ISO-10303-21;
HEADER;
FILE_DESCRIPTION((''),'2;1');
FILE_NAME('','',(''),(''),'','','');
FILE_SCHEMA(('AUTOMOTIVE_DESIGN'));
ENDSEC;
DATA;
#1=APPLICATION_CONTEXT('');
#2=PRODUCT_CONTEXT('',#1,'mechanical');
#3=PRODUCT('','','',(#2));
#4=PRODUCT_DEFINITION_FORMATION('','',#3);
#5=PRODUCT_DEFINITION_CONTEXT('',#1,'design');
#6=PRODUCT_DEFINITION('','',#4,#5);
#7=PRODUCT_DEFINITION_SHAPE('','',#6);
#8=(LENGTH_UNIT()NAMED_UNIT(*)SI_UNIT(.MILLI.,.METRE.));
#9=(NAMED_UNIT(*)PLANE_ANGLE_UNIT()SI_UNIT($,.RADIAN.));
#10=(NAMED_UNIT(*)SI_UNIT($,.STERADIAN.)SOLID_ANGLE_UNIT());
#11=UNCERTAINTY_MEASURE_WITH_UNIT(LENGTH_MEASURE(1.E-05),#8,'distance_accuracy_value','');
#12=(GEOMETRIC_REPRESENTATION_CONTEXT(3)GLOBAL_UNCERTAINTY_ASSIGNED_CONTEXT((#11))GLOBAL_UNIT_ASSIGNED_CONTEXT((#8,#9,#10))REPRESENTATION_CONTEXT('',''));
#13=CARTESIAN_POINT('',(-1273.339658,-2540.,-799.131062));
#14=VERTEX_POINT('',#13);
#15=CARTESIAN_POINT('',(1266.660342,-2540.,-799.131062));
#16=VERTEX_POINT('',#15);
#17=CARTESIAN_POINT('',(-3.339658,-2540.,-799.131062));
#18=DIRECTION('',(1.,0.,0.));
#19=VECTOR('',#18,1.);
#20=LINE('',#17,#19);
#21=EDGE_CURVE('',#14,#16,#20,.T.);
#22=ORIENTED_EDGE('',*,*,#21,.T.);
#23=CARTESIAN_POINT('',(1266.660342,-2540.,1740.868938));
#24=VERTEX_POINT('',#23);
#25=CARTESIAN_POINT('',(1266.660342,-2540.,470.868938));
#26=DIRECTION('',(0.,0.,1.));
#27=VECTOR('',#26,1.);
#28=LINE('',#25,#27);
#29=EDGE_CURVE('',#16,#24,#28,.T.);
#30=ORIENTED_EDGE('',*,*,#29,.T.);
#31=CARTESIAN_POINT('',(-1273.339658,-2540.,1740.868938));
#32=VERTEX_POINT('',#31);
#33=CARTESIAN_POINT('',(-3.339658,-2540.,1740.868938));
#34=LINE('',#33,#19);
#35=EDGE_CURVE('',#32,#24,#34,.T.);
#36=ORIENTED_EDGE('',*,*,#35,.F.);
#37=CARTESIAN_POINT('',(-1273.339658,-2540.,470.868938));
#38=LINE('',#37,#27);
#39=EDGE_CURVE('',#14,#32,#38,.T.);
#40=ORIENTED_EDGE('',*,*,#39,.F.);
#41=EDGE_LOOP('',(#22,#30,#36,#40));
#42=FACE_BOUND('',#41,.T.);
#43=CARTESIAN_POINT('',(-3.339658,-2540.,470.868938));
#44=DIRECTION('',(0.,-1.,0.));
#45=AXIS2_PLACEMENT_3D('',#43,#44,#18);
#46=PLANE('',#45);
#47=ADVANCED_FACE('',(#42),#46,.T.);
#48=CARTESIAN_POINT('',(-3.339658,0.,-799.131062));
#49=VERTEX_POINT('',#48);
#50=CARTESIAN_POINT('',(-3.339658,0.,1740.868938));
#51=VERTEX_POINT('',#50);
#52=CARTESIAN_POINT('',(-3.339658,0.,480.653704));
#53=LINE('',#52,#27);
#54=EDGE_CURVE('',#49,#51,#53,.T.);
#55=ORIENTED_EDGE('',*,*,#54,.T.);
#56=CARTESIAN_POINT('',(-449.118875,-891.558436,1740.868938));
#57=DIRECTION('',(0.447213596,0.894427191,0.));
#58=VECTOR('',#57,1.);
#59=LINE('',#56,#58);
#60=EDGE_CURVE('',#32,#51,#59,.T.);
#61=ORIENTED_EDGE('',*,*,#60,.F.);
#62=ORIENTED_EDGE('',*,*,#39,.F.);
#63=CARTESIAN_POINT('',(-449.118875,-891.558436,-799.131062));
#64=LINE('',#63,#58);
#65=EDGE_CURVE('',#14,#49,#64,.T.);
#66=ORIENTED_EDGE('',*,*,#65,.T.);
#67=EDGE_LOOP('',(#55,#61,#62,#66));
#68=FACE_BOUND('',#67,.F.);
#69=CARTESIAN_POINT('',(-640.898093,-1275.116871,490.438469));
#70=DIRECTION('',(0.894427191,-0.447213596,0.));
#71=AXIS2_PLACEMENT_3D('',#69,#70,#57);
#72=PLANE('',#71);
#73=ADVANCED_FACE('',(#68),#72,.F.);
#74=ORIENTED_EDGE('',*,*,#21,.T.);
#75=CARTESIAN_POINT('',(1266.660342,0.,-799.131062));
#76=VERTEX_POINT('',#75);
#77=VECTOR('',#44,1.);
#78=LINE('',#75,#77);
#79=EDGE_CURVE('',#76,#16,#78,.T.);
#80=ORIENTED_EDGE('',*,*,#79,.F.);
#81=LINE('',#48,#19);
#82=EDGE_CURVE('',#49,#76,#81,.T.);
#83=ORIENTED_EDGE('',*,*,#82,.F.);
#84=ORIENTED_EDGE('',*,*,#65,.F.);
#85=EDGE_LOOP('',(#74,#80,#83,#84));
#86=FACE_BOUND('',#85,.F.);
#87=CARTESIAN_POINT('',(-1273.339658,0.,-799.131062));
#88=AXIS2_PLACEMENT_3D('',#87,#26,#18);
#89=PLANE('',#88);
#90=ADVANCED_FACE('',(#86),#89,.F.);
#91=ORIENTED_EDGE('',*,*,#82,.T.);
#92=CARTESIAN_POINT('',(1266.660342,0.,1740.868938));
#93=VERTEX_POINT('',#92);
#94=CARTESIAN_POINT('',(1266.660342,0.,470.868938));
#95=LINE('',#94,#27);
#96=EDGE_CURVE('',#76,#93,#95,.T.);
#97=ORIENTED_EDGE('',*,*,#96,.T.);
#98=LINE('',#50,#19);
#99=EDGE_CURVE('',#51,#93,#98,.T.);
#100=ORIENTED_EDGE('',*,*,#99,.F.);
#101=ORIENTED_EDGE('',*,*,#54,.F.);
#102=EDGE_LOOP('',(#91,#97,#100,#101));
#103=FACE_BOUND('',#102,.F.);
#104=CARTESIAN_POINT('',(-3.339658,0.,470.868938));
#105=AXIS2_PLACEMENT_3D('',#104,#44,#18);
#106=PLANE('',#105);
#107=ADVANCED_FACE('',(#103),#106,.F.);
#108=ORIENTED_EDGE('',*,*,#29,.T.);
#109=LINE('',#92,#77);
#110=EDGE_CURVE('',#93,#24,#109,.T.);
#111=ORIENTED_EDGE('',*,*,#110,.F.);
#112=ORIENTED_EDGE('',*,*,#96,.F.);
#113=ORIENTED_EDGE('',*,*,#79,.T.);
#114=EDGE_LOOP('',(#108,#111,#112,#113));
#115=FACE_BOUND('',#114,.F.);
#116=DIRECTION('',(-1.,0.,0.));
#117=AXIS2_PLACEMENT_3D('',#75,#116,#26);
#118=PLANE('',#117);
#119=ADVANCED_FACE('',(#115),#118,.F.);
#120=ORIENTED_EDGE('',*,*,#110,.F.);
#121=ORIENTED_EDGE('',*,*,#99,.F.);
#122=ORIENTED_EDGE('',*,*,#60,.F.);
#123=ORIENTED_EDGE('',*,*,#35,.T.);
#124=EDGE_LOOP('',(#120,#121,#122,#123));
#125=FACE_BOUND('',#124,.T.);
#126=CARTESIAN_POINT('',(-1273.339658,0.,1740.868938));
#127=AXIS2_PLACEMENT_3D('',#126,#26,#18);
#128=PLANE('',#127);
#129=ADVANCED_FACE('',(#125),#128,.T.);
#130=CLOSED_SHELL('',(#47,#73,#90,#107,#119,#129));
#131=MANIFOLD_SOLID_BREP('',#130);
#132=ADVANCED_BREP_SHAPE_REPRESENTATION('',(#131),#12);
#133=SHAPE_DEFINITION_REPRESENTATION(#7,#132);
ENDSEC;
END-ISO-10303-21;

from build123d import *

# Parameters (mm, degrees)
F0_W     = 2540
F0_H     = 2540
F1_DEPTH = 2540
F6_DEPTH = 2540


with BuildPart() as f1:
    # F0 (on Front) → F1 (new body)
    with BuildSketch(Plane.XZ):
        with Locations((-3.33965756, 470.8689384087)):
            Rectangle(F0_W, F0_H)
    extrude(amount=F1_DEPTH)

    # F5 (on 3pt) → F6 (cut)
    with BuildSketch(Plane(origin=(-2.671726048, 1.335863024, 0), x_dir=(0.4472135955, 0.894427191, 0), z_dir=(0.894427191, -0.4472135955, 0))):
        Polygon((0, -799.3864417076), (0, 1789.1398668289), (-2858.9158058167, 1771.3314294815), (-2858.9158058167, -799.3864417076), align=None)
    extrude(amount=-F6_DEPTH, mode=Mode.SUBTRACT)


solid = f1.part
